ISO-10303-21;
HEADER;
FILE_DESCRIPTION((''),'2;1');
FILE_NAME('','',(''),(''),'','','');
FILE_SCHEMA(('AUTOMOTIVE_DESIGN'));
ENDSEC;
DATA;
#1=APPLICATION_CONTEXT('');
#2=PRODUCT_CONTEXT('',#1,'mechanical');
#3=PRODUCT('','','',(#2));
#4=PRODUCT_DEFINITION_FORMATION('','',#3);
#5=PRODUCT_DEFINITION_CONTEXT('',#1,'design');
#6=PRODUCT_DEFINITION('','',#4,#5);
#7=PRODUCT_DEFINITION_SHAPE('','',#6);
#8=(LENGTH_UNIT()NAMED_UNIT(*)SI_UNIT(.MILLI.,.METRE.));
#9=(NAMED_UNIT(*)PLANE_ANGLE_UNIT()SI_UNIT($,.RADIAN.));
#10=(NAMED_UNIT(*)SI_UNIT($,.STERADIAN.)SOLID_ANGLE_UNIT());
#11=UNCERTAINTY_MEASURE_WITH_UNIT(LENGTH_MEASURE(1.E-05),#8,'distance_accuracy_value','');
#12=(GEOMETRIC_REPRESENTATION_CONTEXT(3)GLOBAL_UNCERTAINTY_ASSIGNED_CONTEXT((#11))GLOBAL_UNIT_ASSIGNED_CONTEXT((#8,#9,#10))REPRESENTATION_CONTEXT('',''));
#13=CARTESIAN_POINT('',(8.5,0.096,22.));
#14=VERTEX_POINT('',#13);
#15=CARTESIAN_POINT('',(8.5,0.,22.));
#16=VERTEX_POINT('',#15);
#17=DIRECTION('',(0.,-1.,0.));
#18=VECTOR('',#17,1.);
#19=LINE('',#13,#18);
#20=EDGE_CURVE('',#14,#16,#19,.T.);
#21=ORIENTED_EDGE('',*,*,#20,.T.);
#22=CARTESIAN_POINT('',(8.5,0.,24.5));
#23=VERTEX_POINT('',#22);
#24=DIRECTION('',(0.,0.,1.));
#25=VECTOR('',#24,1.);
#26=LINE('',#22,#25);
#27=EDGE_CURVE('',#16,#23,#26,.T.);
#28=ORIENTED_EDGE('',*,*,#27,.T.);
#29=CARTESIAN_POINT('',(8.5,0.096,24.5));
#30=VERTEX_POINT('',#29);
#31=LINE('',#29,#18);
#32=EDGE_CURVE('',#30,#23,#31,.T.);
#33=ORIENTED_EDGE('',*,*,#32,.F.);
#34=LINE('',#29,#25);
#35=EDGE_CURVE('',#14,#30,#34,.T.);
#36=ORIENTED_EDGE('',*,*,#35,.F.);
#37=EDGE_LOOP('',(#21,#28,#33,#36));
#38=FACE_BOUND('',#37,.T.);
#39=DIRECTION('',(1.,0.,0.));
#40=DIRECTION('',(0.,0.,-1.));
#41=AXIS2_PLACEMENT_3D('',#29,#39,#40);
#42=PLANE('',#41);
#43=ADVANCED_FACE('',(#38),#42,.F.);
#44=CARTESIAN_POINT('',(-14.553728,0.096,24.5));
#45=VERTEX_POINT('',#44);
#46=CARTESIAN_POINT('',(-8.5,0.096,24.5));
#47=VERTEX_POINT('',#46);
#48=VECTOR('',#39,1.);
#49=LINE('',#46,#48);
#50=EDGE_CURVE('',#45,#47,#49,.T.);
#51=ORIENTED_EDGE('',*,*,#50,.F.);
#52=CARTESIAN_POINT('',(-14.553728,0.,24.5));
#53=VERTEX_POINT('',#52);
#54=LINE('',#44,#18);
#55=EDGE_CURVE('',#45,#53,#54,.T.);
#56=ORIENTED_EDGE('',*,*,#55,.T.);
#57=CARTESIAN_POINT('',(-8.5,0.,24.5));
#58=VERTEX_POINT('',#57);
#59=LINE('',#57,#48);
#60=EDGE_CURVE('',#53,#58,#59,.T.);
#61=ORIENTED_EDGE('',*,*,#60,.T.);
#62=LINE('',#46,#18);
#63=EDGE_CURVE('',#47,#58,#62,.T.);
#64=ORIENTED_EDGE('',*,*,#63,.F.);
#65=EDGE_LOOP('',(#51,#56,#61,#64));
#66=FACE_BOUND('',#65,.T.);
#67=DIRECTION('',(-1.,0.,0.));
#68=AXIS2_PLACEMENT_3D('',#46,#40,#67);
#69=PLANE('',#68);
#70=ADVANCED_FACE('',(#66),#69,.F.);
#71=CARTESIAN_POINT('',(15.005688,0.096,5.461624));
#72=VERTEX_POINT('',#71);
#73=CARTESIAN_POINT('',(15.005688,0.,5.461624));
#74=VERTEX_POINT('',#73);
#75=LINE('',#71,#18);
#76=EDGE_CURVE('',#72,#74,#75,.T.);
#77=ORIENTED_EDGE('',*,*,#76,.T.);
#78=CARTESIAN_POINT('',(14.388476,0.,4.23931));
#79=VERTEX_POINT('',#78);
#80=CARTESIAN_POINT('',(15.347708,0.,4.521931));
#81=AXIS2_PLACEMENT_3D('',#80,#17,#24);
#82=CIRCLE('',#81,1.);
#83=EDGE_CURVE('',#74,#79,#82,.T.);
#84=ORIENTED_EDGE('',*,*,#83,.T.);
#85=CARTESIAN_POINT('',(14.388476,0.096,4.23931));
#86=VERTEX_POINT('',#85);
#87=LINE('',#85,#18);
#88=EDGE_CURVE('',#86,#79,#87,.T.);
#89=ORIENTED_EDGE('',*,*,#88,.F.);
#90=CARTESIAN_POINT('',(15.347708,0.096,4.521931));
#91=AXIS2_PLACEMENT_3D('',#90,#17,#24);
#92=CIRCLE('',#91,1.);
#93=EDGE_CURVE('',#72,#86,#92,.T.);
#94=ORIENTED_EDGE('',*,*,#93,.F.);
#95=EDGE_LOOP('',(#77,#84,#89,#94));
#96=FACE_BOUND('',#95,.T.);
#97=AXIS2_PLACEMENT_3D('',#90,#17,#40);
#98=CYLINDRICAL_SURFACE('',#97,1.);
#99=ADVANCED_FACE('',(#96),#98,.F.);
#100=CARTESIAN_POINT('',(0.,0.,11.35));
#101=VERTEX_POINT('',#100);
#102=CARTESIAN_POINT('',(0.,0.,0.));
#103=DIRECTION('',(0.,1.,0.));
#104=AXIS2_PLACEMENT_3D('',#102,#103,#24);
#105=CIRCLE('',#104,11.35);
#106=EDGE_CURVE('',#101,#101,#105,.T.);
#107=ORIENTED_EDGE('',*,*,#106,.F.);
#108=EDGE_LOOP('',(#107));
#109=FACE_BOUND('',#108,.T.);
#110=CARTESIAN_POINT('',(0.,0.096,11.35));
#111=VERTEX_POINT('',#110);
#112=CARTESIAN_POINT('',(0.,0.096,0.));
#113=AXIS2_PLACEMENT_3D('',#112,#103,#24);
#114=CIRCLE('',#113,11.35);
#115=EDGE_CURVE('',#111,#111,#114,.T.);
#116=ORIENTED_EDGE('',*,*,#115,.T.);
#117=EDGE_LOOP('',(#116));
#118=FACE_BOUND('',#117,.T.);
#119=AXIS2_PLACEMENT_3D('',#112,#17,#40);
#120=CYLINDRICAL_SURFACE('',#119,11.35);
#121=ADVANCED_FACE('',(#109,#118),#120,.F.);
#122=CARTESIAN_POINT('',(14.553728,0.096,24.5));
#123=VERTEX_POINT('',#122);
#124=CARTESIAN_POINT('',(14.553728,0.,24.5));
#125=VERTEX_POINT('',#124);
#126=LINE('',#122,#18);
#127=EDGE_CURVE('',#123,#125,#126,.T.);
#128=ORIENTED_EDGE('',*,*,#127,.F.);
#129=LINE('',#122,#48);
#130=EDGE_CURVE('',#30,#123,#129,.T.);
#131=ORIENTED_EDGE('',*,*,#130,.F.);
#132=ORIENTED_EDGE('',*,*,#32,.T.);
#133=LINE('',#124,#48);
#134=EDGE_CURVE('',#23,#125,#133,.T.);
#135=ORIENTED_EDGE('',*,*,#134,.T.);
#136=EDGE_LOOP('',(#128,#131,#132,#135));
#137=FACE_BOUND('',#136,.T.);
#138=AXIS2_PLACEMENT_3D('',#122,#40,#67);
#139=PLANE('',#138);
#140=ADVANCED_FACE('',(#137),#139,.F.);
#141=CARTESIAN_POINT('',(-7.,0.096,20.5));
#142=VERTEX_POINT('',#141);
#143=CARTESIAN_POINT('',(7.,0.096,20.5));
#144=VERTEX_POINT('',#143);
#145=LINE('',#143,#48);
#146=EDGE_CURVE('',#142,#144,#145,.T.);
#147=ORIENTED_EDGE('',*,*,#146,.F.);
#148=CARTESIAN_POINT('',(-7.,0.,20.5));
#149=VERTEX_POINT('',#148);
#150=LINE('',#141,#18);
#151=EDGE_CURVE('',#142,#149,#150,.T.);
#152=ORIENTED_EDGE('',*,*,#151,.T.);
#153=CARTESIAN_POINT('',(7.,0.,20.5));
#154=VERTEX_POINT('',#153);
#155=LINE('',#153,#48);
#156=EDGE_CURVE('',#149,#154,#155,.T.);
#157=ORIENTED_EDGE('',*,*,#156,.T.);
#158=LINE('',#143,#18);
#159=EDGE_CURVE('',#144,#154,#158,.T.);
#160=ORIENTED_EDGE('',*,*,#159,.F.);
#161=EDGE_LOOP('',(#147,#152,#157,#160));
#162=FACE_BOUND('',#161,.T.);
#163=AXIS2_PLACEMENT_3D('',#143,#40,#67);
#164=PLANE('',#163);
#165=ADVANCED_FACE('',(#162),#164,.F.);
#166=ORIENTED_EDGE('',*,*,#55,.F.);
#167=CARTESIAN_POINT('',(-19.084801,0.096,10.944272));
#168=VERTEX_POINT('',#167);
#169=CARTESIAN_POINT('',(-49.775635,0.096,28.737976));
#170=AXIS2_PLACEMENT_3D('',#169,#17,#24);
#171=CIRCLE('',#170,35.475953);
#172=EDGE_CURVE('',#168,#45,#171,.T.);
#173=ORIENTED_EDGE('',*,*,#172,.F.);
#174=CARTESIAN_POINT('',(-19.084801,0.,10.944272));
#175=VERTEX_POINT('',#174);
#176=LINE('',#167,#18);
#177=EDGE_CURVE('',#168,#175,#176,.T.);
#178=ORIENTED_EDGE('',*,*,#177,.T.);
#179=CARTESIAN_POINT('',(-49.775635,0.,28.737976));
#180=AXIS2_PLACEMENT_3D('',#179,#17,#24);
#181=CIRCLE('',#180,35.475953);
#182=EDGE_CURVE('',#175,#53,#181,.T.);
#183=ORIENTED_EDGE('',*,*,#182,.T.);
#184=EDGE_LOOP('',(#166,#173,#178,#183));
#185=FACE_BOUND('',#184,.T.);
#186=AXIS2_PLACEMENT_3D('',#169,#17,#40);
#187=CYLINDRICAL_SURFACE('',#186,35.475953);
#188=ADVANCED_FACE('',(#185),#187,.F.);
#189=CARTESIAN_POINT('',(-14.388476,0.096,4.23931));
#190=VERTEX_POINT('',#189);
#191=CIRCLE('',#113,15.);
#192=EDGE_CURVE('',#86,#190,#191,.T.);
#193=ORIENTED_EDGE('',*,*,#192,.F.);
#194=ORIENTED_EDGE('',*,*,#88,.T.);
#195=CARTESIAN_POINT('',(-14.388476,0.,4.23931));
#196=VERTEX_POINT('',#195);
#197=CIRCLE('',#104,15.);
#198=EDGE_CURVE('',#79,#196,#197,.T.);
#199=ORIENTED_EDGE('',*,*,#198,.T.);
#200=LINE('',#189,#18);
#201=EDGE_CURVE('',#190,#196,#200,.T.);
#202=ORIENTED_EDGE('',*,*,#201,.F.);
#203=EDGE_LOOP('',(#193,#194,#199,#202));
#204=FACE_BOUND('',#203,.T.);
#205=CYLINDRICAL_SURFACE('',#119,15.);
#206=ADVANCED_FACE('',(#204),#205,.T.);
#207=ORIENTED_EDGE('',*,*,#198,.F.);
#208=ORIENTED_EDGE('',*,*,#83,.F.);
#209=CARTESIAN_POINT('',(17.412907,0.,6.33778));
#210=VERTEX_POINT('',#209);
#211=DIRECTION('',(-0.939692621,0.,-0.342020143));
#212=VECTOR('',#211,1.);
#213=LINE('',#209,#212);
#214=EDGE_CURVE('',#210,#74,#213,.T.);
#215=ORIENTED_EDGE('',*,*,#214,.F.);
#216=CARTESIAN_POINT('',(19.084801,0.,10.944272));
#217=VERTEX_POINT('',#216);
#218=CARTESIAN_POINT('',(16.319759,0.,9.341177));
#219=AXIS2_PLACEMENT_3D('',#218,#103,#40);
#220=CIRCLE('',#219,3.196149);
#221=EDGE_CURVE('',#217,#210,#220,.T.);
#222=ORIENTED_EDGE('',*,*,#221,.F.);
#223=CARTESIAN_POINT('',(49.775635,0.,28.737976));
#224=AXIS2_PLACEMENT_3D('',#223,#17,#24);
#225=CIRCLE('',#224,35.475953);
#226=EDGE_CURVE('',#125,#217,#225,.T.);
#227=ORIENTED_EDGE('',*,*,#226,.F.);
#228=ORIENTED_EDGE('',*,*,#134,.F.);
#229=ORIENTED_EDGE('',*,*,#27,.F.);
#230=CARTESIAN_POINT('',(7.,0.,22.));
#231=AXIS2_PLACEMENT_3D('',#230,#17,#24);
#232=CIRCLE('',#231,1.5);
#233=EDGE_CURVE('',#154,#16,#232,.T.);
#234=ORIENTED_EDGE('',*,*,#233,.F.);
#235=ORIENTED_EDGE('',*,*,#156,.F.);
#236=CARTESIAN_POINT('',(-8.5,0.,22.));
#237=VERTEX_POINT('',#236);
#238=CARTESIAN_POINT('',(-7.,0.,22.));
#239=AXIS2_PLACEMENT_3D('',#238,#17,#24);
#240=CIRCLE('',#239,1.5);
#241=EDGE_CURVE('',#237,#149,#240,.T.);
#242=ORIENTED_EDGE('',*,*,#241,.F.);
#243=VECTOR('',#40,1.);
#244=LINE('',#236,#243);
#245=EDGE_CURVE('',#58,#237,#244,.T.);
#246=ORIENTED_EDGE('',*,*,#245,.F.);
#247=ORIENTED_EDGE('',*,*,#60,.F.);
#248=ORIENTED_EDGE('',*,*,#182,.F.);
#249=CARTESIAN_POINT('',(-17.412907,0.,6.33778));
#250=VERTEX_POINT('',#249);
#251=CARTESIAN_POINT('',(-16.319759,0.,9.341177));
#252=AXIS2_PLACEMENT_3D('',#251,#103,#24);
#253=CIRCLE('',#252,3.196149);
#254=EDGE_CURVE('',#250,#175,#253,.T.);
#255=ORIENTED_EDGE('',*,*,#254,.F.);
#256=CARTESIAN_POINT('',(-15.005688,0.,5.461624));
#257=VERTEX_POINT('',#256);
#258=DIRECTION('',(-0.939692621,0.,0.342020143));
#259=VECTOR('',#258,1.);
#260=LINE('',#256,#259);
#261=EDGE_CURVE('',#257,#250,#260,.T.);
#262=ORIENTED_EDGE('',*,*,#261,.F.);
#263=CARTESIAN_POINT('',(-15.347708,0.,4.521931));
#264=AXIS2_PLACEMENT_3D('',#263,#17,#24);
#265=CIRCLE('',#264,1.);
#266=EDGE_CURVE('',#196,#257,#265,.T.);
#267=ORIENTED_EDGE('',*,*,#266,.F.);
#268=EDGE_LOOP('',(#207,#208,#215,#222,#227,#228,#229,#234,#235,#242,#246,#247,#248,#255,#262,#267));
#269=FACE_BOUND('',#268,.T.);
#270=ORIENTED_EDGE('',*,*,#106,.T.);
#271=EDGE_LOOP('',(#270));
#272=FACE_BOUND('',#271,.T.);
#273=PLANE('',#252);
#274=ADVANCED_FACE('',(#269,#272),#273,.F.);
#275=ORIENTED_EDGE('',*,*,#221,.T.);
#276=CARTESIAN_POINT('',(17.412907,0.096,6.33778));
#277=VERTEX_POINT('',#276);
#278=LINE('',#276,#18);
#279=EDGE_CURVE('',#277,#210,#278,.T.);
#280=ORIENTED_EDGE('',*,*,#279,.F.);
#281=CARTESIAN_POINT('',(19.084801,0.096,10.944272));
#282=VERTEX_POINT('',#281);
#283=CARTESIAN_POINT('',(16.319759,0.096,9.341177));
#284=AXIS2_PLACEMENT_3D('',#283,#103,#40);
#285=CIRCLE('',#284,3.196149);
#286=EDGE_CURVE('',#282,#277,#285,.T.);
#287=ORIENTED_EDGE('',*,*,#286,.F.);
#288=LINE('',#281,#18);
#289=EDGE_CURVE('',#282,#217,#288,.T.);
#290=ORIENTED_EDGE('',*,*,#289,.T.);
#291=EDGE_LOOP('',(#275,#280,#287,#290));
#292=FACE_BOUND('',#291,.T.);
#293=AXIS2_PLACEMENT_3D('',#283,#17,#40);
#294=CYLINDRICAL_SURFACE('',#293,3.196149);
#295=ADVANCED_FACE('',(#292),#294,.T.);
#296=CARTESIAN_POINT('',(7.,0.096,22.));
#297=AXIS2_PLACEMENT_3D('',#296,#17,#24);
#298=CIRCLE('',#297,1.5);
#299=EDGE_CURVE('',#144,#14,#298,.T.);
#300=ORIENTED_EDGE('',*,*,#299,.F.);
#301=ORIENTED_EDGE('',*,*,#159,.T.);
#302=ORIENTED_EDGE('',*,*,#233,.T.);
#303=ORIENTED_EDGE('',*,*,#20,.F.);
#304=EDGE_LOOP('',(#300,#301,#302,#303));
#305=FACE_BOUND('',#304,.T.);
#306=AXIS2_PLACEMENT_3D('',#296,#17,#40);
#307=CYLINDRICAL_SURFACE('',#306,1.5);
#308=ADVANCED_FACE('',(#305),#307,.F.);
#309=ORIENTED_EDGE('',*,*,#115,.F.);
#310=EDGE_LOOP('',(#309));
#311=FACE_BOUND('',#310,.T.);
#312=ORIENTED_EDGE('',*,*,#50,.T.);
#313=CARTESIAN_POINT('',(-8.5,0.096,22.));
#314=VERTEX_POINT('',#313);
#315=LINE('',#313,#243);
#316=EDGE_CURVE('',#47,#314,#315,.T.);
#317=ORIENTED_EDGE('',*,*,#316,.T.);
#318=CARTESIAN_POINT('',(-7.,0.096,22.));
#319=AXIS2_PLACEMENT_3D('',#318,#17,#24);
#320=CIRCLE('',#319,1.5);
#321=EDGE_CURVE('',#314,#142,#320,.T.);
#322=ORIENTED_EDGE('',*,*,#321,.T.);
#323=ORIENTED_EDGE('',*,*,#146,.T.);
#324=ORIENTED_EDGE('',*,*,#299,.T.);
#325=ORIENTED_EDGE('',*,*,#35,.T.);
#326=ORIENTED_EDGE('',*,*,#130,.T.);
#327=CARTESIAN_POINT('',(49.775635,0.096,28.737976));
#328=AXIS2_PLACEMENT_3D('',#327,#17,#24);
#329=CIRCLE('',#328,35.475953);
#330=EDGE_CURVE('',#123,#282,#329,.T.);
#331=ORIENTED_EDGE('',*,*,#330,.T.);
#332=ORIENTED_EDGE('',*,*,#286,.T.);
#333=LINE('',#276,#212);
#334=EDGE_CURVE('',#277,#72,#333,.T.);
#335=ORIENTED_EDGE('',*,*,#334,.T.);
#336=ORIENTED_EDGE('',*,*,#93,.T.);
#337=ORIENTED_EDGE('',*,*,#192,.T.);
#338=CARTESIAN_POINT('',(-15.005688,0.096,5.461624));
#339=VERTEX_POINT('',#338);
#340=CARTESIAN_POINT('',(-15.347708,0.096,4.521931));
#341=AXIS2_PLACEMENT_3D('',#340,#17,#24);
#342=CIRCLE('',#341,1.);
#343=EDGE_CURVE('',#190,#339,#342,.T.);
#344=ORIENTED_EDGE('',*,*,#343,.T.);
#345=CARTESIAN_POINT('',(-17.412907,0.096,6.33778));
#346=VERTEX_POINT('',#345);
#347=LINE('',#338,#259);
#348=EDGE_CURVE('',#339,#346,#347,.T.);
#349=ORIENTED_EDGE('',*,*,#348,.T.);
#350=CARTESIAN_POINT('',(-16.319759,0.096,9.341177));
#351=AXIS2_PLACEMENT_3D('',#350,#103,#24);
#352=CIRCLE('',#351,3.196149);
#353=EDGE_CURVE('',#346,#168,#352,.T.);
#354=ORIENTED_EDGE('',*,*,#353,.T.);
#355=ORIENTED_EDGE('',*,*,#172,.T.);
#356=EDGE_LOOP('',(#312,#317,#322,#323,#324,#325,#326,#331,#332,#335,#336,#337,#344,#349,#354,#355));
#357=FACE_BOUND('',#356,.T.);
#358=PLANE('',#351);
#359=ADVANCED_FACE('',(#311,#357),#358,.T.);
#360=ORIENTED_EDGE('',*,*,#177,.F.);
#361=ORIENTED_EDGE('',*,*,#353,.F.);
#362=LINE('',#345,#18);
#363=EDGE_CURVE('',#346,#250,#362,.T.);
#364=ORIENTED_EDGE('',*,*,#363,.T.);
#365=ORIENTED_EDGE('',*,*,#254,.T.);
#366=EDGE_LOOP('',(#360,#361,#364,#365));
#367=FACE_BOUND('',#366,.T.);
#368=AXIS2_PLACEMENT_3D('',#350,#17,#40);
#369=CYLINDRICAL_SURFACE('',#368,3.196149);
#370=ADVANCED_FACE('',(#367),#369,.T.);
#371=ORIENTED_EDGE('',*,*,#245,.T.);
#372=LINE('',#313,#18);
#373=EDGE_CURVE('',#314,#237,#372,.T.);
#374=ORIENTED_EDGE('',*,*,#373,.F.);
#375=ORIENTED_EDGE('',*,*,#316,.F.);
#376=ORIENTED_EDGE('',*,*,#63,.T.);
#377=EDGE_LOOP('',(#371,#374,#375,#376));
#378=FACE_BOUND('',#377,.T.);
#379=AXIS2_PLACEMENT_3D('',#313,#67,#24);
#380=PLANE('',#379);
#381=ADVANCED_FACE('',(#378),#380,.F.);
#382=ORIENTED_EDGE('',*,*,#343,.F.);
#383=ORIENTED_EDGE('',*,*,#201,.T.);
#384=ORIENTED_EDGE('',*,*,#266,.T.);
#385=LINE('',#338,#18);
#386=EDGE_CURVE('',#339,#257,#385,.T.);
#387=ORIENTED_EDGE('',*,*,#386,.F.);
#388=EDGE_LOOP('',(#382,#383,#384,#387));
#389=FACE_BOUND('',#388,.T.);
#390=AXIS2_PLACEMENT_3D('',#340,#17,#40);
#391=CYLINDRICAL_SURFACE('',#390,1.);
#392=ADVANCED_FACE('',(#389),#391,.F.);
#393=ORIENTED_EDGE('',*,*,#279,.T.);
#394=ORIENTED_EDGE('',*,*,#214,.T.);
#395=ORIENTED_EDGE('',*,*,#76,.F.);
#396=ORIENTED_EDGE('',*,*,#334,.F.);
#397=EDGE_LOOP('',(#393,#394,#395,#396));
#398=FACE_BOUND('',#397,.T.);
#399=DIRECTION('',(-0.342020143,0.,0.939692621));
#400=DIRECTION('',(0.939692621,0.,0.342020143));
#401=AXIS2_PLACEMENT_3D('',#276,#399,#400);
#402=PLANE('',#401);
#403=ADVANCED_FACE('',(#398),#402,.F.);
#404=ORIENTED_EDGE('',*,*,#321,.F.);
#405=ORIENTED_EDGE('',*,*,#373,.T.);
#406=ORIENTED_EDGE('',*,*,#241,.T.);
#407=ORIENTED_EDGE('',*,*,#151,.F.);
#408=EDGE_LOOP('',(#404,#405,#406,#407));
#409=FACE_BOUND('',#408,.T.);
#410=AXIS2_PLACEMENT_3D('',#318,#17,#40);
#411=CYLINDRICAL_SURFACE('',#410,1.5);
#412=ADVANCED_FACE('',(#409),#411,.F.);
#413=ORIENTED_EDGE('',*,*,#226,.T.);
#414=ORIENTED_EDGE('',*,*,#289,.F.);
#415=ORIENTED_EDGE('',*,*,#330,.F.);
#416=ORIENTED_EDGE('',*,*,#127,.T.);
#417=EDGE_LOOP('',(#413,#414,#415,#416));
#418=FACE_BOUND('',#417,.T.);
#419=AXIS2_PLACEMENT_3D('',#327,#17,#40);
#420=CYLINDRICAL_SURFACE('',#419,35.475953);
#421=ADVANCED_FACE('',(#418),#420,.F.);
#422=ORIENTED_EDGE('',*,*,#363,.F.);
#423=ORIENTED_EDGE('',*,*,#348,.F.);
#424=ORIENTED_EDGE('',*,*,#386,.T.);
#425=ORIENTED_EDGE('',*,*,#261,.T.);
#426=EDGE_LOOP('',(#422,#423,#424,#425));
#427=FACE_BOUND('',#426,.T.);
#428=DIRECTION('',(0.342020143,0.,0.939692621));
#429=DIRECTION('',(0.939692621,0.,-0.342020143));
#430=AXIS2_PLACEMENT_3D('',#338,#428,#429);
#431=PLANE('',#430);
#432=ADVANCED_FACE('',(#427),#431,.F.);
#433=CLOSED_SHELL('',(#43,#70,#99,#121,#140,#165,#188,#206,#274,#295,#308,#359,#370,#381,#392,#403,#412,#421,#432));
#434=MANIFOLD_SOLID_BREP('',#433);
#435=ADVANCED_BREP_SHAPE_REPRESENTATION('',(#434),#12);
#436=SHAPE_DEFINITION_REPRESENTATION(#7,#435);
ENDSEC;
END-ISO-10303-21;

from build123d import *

# Parameters (mm, degrees)
SKETCH26_R          = 11.35
BOSS_EXTRUDE1_DEPTH = 0.096


with BuildPart() as part:
    # Sketch26 → Boss-Extrude1 (new body)
    with BuildSketch(Plane(origin=(0, 0, 0), x_dir=(-1, 0, 0), z_dir=(0, 1, 0))):
        with BuildLine():
            Line((-17.412906679, 6.337779723), (-15.005687805, 5.461623706))
            ThreePointArc((-15.005687805, 5.461623706), (-14.455056516, 4.972678709), (-14.388476201, 4.239310392))
            ThreePointArc((-14.388476201, 4.239310392), (-12.012278216, -8.983605738), (0, -15))
            ThreePointArc((0, -15), (12.012278216, -8.983605738), (14.388476201, 4.239310392))
            ThreePointArc((14.388476201, 4.239310392), (14.455056516, 4.972678709), (15.005687805, 5.461623706))
            Line((15.005687805, 5.461623706), (17.412906679, 6.337779723))
            ThreePointArc((17.412906679, 6.337779723), (19.324147584, 8.250755696), (19.084800719, 10.944272346))
            ThreePointArc((19.084800719, 10.944272346), (16.129508637, 17.491581777), (14.553727529, 24.5))
            Line((14.553727529, 24.5), (8.5, 24.5))
            Line((8.5, 24.5), (8.5, 22))
            ThreePointArc((8.5, 22), (8.060660172, 20.939339828), (7, 20.5))
            Line((7, 20.5), (-7, 20.5))
            ThreePointArc((-7, 20.5), (-8.060660172, 20.939339828), (-8.5, 22))
            Line((-8.5, 22), (-8.5, 24.5))
            Line((-8.5, 24.5), (-14.553727529, 24.5))
            ThreePointArc((-14.553727529, 24.5), (-16.129508637, 17.491581777), (-19.084800719, 10.944272346))
            ThreePointArc((-19.084800719, 10.944272346), (-19.324147584, 8.250755696), (-17.412906679, 6.337779723))
        make_face()
        with Locations(Location((0, 0, 0), (0, 0, 90))):
            Circle(SKETCH26_R, mode=Mode.SUBTRACT)
    extrude(amount=BOSS_EXTRUDE1_DEPTH)


solid = part.part
